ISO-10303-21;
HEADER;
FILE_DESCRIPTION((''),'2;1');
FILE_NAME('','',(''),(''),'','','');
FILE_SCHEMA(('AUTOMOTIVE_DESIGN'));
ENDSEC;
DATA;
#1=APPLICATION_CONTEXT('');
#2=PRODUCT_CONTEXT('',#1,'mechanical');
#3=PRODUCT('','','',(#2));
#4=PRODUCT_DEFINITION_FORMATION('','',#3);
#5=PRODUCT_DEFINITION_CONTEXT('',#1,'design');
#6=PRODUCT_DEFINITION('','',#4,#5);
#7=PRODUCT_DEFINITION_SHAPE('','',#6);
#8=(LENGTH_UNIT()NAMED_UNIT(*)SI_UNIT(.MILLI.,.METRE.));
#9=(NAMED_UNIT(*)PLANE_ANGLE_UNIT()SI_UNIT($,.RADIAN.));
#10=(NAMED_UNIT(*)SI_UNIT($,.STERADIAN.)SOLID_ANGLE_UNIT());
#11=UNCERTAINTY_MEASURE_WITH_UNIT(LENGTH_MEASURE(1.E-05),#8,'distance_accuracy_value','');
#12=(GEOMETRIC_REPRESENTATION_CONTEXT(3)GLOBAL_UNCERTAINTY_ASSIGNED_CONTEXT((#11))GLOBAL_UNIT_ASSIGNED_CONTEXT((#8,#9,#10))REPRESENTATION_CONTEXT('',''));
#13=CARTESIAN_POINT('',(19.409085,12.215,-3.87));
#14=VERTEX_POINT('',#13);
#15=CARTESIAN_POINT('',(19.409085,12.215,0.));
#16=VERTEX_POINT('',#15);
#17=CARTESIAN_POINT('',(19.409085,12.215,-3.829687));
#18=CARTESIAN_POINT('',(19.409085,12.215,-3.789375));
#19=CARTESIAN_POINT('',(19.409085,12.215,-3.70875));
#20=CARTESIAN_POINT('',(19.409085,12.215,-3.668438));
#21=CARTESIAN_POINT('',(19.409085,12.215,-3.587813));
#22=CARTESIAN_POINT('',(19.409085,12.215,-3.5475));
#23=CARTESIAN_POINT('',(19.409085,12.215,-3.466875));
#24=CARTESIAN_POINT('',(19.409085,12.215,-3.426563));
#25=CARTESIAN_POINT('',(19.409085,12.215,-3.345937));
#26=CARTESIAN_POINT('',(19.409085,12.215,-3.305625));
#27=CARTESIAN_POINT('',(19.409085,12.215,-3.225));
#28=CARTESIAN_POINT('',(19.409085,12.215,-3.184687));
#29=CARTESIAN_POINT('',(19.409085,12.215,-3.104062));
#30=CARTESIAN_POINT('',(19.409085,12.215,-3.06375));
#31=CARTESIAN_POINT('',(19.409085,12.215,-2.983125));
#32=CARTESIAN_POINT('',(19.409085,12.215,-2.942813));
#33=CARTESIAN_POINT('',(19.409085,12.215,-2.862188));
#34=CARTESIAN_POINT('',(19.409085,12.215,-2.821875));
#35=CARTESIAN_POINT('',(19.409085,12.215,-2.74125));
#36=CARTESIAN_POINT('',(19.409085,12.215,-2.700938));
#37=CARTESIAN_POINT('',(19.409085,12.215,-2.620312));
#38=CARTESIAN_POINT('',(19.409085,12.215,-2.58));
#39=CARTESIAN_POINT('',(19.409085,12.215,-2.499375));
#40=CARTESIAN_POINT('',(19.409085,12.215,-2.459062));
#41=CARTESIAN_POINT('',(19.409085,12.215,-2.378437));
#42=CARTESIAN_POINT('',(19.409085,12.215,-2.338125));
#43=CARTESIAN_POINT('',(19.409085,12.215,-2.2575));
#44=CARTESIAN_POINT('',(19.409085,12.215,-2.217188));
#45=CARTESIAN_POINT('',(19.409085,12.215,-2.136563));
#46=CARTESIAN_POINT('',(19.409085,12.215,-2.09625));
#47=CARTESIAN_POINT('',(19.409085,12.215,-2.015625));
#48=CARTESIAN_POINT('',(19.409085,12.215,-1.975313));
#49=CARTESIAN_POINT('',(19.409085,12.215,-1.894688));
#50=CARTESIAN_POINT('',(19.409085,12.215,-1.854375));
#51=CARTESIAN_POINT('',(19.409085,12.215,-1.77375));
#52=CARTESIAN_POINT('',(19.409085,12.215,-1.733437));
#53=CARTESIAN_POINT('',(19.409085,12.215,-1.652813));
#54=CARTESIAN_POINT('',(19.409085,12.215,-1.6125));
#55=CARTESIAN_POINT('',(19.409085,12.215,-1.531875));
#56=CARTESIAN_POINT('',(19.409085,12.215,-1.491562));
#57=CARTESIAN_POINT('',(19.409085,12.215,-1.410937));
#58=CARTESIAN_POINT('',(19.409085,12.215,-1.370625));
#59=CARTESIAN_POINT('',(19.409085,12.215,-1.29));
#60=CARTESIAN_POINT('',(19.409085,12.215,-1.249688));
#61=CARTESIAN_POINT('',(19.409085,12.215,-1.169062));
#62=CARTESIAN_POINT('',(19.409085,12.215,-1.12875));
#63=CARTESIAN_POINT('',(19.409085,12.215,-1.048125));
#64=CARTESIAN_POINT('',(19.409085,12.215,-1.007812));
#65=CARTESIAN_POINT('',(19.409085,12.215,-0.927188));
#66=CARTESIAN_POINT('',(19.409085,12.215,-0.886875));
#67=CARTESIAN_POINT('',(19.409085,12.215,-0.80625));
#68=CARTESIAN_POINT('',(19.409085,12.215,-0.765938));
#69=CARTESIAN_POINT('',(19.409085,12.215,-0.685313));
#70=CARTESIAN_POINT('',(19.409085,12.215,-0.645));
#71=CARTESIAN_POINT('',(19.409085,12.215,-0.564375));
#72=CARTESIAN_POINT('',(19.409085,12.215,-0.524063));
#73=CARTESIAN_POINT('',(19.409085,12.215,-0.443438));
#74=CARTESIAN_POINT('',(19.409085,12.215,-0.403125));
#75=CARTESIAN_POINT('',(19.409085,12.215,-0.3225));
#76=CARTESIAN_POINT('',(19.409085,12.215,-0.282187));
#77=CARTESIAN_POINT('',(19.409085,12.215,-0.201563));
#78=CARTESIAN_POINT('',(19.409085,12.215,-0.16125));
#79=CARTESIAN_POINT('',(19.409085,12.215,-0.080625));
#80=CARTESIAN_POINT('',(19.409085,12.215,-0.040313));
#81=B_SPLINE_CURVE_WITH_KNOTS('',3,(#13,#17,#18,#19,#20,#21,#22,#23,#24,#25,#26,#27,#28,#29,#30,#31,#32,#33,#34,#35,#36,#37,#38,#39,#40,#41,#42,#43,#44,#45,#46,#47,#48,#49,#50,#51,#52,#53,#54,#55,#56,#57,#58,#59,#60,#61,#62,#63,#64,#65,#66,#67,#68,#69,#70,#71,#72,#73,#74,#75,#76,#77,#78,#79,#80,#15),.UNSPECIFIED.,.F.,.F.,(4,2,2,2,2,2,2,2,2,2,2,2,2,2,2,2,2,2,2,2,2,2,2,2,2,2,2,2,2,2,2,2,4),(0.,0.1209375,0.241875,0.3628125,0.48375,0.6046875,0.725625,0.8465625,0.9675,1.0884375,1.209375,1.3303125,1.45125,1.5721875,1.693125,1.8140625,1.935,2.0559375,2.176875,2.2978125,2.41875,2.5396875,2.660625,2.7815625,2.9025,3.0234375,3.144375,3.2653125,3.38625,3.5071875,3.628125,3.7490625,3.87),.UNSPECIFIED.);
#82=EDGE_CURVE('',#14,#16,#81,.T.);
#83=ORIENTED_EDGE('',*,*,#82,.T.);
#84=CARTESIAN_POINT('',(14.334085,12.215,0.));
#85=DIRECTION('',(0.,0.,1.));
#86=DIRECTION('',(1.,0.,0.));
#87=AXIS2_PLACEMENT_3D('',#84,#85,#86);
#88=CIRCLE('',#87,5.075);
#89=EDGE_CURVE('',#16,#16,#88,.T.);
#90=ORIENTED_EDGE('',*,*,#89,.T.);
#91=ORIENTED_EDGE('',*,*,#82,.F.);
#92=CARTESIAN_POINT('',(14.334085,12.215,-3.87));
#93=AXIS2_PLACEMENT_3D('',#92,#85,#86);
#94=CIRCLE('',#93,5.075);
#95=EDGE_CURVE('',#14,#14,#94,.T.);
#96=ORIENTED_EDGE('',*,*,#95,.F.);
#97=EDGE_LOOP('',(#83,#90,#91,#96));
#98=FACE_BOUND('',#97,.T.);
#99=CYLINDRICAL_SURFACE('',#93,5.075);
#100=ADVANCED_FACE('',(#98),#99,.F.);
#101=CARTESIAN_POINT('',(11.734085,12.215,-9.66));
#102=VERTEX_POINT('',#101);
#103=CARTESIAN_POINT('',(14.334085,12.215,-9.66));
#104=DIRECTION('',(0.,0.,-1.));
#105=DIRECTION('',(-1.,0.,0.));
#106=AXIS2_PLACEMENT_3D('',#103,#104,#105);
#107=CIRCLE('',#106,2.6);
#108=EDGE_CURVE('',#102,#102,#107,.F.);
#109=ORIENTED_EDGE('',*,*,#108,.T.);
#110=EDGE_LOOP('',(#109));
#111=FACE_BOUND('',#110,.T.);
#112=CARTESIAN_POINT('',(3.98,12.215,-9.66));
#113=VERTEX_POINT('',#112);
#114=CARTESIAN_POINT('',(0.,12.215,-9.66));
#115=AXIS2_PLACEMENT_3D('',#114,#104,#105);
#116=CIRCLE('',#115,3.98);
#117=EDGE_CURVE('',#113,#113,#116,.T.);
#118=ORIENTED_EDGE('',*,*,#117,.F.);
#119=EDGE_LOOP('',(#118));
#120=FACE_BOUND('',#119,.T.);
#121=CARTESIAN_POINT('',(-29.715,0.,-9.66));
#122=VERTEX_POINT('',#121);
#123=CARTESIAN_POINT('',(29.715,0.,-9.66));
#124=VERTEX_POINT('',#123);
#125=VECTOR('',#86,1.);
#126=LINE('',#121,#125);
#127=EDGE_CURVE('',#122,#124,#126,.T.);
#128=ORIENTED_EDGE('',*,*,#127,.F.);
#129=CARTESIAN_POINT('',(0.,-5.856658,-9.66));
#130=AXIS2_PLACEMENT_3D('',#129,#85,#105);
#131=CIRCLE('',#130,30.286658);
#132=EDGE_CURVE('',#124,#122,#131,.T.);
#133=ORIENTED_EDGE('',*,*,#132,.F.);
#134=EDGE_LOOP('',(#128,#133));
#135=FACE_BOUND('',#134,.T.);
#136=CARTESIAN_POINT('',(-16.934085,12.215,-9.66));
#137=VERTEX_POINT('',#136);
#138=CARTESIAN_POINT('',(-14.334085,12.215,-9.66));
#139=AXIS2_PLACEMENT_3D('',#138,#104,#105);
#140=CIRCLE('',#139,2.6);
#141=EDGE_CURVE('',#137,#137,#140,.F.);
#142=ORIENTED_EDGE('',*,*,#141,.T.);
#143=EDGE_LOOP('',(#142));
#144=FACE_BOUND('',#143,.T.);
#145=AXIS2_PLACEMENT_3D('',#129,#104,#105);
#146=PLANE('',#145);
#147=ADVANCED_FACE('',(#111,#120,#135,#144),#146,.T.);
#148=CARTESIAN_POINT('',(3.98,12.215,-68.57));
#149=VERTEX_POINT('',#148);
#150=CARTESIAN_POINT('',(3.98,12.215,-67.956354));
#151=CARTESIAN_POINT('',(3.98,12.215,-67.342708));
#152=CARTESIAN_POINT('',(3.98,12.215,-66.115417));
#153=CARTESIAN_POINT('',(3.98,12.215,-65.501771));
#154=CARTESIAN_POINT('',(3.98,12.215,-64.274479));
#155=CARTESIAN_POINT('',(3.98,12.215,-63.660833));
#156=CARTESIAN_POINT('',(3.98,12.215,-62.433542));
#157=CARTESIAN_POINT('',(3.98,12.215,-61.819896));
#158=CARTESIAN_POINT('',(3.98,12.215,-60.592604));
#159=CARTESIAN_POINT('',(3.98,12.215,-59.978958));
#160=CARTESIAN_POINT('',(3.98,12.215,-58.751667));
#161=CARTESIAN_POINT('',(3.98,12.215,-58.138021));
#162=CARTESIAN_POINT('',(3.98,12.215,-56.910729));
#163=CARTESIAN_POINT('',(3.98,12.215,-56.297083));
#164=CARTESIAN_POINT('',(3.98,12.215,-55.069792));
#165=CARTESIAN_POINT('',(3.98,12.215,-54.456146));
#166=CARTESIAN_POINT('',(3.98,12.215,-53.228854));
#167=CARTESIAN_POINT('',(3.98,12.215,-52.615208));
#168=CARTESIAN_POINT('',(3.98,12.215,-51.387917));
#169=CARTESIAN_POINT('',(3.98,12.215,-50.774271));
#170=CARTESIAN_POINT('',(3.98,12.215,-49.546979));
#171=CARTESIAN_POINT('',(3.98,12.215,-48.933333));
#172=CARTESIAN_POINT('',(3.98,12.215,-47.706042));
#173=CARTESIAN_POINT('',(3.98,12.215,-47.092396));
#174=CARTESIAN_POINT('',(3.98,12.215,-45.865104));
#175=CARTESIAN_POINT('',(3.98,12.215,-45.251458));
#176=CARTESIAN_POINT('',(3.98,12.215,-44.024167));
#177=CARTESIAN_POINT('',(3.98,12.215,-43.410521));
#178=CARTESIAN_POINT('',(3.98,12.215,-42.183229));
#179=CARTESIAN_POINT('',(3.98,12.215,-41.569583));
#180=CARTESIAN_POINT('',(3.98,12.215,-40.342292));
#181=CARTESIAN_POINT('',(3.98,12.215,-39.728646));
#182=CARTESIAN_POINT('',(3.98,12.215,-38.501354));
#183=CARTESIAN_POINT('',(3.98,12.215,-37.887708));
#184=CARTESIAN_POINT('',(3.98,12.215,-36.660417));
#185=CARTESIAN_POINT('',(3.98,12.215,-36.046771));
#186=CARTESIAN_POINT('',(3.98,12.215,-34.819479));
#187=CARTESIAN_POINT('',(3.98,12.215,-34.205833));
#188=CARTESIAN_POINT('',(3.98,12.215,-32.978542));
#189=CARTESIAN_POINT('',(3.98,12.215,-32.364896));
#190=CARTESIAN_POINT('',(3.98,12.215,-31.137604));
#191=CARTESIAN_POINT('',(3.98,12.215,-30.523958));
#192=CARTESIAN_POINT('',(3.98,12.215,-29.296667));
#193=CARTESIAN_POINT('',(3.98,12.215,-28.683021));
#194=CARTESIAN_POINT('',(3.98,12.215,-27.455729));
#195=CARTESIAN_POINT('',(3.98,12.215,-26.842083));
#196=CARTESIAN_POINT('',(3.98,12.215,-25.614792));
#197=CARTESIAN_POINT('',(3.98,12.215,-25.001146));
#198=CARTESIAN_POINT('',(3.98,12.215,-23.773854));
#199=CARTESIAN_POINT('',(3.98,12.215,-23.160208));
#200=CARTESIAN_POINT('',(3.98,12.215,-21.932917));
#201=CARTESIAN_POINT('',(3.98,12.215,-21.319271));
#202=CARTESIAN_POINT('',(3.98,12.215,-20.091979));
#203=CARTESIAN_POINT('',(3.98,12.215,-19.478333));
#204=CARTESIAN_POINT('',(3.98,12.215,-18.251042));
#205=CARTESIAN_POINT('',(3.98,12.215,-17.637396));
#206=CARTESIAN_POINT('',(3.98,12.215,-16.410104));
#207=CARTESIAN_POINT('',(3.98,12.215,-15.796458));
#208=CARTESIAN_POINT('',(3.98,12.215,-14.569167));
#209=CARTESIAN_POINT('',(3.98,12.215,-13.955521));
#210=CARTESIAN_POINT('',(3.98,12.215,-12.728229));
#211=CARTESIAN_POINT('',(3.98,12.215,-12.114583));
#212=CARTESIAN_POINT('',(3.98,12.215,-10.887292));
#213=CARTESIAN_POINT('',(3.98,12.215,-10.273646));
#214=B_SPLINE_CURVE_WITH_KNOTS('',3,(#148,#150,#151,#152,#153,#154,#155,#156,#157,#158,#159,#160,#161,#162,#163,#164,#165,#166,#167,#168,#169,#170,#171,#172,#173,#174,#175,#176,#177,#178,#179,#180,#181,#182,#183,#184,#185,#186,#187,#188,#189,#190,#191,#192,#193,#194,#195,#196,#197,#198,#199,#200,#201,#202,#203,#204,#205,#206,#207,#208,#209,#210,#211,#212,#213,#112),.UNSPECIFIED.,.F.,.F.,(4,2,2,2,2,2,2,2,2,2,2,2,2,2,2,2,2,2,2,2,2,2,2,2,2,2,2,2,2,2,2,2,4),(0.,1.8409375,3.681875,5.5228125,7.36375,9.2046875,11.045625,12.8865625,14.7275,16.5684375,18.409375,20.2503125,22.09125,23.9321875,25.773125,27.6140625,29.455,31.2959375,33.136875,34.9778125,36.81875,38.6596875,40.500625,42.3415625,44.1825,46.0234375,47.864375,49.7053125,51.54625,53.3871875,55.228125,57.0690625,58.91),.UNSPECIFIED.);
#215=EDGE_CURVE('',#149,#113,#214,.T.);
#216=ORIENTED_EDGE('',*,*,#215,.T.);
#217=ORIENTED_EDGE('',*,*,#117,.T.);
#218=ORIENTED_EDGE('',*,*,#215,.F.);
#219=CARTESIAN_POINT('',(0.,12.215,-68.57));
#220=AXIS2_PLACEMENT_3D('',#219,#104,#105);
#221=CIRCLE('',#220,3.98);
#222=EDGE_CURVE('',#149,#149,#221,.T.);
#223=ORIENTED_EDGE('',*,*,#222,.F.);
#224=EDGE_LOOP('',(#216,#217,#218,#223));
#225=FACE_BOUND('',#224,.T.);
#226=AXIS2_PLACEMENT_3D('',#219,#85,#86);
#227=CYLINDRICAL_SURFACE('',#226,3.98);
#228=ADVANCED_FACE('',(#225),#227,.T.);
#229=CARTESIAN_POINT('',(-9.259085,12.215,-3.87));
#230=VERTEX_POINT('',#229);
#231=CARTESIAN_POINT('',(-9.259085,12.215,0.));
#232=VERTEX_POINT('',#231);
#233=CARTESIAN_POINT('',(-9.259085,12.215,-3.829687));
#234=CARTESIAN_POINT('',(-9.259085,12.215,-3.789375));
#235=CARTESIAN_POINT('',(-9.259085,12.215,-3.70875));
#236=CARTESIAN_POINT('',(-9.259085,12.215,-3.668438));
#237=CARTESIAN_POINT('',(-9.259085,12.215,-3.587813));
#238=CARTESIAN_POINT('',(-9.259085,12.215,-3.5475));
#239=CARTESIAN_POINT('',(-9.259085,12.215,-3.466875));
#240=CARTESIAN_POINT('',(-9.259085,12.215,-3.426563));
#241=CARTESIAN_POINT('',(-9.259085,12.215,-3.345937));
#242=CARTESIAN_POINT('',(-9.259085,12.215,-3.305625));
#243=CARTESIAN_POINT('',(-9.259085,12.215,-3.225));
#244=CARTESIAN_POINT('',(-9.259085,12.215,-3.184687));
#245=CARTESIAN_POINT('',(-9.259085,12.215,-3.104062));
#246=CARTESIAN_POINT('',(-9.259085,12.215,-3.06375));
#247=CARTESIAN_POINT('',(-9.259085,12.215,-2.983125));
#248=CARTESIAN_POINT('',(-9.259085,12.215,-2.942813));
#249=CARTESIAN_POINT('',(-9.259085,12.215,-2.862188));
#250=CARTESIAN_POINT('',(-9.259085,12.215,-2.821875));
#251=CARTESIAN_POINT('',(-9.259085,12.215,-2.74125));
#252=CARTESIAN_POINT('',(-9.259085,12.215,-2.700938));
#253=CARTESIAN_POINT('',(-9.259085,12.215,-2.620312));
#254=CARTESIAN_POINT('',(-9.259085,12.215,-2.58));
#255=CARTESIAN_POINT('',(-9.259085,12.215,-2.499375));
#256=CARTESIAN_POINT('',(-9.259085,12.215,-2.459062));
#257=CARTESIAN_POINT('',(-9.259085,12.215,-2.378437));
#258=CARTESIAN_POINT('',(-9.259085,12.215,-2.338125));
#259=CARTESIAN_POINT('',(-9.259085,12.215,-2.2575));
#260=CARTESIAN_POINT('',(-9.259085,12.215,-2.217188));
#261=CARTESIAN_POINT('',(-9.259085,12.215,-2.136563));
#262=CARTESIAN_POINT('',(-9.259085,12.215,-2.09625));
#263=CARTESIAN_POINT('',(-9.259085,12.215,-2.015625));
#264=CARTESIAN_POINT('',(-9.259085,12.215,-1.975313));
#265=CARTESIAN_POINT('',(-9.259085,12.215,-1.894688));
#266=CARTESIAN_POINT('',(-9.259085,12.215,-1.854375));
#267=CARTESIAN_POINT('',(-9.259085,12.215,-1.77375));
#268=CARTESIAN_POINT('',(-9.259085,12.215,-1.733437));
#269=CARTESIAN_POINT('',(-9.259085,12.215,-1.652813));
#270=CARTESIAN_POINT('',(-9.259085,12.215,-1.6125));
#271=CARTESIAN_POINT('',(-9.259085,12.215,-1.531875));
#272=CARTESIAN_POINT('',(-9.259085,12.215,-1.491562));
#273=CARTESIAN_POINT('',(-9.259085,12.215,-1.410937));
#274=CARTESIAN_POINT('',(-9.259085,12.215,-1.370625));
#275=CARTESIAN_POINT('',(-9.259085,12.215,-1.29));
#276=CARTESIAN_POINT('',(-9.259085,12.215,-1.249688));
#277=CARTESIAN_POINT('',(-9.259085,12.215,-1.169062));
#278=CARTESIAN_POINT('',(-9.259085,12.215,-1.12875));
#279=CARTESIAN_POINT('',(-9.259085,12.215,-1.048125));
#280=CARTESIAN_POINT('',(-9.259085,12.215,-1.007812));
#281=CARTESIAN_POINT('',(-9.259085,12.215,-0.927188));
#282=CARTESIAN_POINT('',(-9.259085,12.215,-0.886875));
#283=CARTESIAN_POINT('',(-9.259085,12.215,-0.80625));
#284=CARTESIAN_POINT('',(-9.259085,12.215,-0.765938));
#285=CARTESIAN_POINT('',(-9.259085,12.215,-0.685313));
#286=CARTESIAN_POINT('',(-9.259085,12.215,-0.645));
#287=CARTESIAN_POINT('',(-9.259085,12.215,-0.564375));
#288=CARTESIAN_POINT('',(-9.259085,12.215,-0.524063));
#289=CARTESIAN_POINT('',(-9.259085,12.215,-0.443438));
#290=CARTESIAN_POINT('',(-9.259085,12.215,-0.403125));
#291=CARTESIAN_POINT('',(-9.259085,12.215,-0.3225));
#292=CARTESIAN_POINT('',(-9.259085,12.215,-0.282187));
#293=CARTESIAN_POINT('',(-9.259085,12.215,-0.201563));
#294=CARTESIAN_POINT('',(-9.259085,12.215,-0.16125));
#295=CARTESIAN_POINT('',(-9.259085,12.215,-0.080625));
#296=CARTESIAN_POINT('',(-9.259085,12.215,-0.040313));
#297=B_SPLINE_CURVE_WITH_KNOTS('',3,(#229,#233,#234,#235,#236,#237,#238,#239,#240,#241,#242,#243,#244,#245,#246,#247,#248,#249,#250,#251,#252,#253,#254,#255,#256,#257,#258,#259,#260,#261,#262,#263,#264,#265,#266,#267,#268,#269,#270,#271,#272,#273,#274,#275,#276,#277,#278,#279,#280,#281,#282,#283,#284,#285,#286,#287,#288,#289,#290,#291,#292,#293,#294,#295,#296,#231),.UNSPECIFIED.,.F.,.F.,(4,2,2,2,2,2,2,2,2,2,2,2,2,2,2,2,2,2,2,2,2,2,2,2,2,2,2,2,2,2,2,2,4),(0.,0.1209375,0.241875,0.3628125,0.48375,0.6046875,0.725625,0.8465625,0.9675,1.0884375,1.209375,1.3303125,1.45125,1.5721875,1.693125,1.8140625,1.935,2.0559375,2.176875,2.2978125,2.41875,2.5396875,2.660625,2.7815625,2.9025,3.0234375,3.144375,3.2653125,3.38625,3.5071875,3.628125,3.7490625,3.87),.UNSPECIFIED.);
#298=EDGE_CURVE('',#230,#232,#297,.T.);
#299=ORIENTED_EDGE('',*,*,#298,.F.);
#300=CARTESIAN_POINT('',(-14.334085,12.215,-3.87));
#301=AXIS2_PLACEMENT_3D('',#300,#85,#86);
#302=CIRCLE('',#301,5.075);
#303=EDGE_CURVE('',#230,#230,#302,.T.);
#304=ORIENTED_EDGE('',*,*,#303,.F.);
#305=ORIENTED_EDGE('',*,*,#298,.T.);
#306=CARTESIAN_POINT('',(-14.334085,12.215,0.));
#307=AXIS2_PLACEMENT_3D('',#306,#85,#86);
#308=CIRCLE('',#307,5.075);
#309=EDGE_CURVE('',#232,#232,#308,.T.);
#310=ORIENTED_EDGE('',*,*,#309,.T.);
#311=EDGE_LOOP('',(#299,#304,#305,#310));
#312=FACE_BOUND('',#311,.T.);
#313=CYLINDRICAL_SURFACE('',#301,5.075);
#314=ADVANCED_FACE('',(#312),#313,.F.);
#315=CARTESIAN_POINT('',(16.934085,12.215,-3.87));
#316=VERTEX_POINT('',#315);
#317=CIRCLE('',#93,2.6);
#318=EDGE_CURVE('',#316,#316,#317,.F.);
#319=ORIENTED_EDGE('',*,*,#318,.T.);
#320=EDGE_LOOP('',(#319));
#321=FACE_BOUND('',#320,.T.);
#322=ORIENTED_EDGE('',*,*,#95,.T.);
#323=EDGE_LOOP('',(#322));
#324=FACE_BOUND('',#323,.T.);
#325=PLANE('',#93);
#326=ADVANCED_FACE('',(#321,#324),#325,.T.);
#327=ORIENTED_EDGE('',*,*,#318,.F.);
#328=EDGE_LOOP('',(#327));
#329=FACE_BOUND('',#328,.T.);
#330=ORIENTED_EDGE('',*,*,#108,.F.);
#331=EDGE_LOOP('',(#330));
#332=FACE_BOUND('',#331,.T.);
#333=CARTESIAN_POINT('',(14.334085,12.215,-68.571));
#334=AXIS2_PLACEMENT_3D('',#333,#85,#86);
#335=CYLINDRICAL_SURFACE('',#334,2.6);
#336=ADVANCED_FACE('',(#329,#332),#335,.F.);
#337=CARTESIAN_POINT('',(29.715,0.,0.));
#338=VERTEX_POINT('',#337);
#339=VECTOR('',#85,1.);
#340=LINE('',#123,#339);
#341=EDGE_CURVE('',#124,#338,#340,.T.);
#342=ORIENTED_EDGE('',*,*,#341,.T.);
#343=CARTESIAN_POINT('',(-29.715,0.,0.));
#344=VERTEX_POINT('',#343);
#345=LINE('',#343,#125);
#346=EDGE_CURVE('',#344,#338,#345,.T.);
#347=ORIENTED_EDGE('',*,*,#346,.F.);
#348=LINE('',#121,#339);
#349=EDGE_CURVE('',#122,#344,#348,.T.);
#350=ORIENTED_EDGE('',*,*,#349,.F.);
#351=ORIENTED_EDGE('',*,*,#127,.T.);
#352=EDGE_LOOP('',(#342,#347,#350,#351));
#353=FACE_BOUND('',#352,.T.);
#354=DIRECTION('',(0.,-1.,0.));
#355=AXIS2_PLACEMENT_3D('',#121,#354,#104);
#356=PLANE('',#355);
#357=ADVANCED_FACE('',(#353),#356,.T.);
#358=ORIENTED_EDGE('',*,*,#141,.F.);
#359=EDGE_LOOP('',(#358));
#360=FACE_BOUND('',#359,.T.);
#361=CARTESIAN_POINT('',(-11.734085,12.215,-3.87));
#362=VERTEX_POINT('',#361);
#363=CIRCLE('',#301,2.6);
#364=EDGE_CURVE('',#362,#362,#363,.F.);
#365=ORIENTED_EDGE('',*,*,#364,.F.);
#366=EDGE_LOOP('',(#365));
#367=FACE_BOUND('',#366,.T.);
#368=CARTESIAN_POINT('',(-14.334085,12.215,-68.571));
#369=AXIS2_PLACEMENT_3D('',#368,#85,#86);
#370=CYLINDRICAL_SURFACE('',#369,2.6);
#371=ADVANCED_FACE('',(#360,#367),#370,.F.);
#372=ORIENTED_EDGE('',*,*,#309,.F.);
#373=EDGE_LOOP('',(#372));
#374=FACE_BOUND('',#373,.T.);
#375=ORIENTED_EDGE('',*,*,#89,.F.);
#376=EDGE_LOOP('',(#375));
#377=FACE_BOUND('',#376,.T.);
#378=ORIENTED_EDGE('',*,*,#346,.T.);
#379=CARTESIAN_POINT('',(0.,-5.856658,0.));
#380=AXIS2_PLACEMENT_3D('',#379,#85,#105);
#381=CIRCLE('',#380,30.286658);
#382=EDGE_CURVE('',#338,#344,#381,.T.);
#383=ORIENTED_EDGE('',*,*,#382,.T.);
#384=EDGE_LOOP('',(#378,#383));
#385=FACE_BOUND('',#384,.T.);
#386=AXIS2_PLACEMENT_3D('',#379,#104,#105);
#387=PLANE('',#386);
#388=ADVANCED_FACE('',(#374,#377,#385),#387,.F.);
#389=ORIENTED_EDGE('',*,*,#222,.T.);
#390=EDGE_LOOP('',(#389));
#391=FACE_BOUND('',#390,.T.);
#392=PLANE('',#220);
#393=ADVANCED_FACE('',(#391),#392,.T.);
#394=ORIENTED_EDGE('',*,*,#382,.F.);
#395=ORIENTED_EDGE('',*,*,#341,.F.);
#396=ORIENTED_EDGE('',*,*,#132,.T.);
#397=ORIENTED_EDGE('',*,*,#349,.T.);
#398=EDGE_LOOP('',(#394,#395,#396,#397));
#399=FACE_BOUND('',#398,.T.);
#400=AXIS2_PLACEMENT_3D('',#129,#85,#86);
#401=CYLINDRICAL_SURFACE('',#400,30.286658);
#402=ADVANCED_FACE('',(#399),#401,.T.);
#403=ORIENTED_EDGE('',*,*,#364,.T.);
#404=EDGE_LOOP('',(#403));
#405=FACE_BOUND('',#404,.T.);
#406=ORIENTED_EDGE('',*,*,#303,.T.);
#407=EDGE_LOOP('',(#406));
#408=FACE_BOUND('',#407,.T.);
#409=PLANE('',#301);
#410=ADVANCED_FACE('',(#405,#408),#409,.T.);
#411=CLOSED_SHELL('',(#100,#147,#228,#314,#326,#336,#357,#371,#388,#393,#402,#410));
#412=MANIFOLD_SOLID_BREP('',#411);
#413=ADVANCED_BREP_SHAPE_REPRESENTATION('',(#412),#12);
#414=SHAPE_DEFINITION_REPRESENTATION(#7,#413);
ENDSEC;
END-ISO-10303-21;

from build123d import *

# Parameters (mm, degrees)
SALIENTE_EXTRUIR1_DEPTH = 9.66
CROQUIS2_R              = 3.98
SALIENTE_EXTRUIR2_DEPTH = 58.91
CORTAR_EXTRUIR1_REACH   = 80.623
CROQUIS3_R              = 2.6
CROQUIS4_R              = 5.075
CORTAR_EXTRUIR2_DEPTH   = 3.87


with BuildPart() as part:
    # Croquis1 → Saliente-Extruir1 (new body)
    with BuildSketch(Plane.XY):
        with BuildLine():
            Line((-29.715, 0), (29.715, 0))
            ThreePointArc((29.715, 0), (0, 24.43), (-29.715, 0))
        make_face()
    extrude(amount=-SALIENTE_EXTRUIR1_DEPTH)

    # Croquis2 → Saliente-Extruir2 (add)
    with BuildSketch(Plane(origin=(0, 0, -9.66), x_dir=(-1, 0, 0), z_dir=(0, 0, -1))):
        with Locations(Location((0, 12.215, 0), (0, 0, 180))):
            Circle(CROQUIS2_R)
    extrude(amount=SALIENTE_EXTRUIR2_DEPTH)

    # Croquis3 → Cortar-Extruir1 (cut, up to next)
    with BuildSketch(Plane.XY, mode=Mode.PRIVATE) as cortar_extruir1_sk1:
        with Locations((-14.334085257, 12.215)):
            Circle(CROQUIS3_R)
    cortar_extruir1_tool1 = extrude(cortar_extruir1_sk1.sketch, amount=-CORTAR_EXTRUIR1_REACH, mode=Mode.PRIVATE) & part.part
    # Croquis3 → Cortar-Extruir1 (cut, up to next)
    with BuildSketch(Plane.XY, mode=Mode.PRIVATE) as cortar_extruir1_sk2:
        with Locations((14.334085257, 12.215)):
            Circle(CROQUIS3_R)
    cortar_extruir1_tool2 = extrude(cortar_extruir1_sk2.sketch, amount=-CORTAR_EXTRUIR1_REACH, mode=Mode.PRIVATE) & part.part
    add(cortar_extruir1_tool1.solids().sort_by_distance((-14.334085, 12.215, 0))[0], mode=Mode.SUBTRACT)
    add(cortar_extruir1_tool2.solids().sort_by_distance((14.334085, 12.215, 0))[0], mode=Mode.SUBTRACT)

    # Croquis4 → Cortar-Extruir2 (cut)
    with BuildSketch(Plane.XY):
        with Locations((14.334085257, 12.215)):
            Circle(CROQUIS4_R)
        with Locations((-14.334085257, 12.215)):
            Circle(CROQUIS4_R)
    extrude(amount=-CORTAR_EXTRUIR2_DEPTH, mode=Mode.SUBTRACT)


solid = part.part
